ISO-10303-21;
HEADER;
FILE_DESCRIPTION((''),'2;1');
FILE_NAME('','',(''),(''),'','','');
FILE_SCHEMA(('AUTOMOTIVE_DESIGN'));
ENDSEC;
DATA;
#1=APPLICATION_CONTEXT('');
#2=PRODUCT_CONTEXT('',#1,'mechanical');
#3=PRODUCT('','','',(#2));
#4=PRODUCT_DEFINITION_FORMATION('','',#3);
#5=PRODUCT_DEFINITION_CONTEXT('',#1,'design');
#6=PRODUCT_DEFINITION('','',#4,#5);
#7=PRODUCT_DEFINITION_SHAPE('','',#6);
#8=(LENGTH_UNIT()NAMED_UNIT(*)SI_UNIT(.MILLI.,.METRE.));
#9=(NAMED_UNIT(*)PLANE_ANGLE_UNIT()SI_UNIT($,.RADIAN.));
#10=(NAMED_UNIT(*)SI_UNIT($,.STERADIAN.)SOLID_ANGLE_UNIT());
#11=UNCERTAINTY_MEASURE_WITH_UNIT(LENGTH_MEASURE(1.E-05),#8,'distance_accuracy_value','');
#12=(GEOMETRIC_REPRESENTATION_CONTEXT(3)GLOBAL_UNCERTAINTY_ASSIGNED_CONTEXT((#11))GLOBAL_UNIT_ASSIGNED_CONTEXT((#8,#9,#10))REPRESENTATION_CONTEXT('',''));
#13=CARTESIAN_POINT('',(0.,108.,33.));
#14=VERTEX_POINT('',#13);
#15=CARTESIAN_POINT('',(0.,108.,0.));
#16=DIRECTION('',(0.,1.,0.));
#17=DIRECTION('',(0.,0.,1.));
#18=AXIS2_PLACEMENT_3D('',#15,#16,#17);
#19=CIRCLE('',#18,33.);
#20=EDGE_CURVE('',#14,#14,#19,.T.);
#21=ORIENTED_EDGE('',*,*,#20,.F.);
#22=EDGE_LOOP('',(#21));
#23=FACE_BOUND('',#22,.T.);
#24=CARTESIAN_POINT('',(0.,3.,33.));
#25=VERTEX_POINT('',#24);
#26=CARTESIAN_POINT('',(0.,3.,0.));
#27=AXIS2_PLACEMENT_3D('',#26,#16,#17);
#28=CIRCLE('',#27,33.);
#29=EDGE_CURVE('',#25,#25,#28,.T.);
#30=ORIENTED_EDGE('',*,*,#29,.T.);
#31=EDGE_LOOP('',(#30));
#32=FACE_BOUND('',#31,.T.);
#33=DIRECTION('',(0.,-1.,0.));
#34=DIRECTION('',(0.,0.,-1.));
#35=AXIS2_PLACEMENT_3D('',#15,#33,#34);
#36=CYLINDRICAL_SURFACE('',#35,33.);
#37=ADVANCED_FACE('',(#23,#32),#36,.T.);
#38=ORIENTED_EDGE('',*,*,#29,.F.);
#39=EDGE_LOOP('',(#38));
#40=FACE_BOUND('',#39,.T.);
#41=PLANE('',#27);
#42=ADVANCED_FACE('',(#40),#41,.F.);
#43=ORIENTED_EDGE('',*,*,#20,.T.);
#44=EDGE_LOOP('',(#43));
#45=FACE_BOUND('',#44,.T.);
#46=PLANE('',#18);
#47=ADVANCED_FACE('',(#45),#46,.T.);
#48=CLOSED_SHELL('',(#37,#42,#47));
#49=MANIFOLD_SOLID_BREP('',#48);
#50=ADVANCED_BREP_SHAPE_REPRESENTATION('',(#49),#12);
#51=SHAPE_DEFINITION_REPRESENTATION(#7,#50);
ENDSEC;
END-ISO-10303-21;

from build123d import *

# Parameters (mm, degrees)
KOLA330_GOVDE_D66_START = 3
SKETCH1_R               = 33
KOLA330_GOVDE_D66_DEPTH = 105


with BuildPart() as part:
    # Sketch1 → KOLA330_govde_D66 (new body)
    with BuildSketch(Plane(origin=(0, 0, 0), x_dir=(1, 0, 0), z_dir=(0, 1, 0)).offset(KOLA330_GOVDE_D66_START)):
        with Locations(Location((0, 0, 0), (0, 0, 270))):
            Circle(SKETCH1_R)
    extrude(amount=KOLA330_GOVDE_D66_DEPTH)


solid = part.part
